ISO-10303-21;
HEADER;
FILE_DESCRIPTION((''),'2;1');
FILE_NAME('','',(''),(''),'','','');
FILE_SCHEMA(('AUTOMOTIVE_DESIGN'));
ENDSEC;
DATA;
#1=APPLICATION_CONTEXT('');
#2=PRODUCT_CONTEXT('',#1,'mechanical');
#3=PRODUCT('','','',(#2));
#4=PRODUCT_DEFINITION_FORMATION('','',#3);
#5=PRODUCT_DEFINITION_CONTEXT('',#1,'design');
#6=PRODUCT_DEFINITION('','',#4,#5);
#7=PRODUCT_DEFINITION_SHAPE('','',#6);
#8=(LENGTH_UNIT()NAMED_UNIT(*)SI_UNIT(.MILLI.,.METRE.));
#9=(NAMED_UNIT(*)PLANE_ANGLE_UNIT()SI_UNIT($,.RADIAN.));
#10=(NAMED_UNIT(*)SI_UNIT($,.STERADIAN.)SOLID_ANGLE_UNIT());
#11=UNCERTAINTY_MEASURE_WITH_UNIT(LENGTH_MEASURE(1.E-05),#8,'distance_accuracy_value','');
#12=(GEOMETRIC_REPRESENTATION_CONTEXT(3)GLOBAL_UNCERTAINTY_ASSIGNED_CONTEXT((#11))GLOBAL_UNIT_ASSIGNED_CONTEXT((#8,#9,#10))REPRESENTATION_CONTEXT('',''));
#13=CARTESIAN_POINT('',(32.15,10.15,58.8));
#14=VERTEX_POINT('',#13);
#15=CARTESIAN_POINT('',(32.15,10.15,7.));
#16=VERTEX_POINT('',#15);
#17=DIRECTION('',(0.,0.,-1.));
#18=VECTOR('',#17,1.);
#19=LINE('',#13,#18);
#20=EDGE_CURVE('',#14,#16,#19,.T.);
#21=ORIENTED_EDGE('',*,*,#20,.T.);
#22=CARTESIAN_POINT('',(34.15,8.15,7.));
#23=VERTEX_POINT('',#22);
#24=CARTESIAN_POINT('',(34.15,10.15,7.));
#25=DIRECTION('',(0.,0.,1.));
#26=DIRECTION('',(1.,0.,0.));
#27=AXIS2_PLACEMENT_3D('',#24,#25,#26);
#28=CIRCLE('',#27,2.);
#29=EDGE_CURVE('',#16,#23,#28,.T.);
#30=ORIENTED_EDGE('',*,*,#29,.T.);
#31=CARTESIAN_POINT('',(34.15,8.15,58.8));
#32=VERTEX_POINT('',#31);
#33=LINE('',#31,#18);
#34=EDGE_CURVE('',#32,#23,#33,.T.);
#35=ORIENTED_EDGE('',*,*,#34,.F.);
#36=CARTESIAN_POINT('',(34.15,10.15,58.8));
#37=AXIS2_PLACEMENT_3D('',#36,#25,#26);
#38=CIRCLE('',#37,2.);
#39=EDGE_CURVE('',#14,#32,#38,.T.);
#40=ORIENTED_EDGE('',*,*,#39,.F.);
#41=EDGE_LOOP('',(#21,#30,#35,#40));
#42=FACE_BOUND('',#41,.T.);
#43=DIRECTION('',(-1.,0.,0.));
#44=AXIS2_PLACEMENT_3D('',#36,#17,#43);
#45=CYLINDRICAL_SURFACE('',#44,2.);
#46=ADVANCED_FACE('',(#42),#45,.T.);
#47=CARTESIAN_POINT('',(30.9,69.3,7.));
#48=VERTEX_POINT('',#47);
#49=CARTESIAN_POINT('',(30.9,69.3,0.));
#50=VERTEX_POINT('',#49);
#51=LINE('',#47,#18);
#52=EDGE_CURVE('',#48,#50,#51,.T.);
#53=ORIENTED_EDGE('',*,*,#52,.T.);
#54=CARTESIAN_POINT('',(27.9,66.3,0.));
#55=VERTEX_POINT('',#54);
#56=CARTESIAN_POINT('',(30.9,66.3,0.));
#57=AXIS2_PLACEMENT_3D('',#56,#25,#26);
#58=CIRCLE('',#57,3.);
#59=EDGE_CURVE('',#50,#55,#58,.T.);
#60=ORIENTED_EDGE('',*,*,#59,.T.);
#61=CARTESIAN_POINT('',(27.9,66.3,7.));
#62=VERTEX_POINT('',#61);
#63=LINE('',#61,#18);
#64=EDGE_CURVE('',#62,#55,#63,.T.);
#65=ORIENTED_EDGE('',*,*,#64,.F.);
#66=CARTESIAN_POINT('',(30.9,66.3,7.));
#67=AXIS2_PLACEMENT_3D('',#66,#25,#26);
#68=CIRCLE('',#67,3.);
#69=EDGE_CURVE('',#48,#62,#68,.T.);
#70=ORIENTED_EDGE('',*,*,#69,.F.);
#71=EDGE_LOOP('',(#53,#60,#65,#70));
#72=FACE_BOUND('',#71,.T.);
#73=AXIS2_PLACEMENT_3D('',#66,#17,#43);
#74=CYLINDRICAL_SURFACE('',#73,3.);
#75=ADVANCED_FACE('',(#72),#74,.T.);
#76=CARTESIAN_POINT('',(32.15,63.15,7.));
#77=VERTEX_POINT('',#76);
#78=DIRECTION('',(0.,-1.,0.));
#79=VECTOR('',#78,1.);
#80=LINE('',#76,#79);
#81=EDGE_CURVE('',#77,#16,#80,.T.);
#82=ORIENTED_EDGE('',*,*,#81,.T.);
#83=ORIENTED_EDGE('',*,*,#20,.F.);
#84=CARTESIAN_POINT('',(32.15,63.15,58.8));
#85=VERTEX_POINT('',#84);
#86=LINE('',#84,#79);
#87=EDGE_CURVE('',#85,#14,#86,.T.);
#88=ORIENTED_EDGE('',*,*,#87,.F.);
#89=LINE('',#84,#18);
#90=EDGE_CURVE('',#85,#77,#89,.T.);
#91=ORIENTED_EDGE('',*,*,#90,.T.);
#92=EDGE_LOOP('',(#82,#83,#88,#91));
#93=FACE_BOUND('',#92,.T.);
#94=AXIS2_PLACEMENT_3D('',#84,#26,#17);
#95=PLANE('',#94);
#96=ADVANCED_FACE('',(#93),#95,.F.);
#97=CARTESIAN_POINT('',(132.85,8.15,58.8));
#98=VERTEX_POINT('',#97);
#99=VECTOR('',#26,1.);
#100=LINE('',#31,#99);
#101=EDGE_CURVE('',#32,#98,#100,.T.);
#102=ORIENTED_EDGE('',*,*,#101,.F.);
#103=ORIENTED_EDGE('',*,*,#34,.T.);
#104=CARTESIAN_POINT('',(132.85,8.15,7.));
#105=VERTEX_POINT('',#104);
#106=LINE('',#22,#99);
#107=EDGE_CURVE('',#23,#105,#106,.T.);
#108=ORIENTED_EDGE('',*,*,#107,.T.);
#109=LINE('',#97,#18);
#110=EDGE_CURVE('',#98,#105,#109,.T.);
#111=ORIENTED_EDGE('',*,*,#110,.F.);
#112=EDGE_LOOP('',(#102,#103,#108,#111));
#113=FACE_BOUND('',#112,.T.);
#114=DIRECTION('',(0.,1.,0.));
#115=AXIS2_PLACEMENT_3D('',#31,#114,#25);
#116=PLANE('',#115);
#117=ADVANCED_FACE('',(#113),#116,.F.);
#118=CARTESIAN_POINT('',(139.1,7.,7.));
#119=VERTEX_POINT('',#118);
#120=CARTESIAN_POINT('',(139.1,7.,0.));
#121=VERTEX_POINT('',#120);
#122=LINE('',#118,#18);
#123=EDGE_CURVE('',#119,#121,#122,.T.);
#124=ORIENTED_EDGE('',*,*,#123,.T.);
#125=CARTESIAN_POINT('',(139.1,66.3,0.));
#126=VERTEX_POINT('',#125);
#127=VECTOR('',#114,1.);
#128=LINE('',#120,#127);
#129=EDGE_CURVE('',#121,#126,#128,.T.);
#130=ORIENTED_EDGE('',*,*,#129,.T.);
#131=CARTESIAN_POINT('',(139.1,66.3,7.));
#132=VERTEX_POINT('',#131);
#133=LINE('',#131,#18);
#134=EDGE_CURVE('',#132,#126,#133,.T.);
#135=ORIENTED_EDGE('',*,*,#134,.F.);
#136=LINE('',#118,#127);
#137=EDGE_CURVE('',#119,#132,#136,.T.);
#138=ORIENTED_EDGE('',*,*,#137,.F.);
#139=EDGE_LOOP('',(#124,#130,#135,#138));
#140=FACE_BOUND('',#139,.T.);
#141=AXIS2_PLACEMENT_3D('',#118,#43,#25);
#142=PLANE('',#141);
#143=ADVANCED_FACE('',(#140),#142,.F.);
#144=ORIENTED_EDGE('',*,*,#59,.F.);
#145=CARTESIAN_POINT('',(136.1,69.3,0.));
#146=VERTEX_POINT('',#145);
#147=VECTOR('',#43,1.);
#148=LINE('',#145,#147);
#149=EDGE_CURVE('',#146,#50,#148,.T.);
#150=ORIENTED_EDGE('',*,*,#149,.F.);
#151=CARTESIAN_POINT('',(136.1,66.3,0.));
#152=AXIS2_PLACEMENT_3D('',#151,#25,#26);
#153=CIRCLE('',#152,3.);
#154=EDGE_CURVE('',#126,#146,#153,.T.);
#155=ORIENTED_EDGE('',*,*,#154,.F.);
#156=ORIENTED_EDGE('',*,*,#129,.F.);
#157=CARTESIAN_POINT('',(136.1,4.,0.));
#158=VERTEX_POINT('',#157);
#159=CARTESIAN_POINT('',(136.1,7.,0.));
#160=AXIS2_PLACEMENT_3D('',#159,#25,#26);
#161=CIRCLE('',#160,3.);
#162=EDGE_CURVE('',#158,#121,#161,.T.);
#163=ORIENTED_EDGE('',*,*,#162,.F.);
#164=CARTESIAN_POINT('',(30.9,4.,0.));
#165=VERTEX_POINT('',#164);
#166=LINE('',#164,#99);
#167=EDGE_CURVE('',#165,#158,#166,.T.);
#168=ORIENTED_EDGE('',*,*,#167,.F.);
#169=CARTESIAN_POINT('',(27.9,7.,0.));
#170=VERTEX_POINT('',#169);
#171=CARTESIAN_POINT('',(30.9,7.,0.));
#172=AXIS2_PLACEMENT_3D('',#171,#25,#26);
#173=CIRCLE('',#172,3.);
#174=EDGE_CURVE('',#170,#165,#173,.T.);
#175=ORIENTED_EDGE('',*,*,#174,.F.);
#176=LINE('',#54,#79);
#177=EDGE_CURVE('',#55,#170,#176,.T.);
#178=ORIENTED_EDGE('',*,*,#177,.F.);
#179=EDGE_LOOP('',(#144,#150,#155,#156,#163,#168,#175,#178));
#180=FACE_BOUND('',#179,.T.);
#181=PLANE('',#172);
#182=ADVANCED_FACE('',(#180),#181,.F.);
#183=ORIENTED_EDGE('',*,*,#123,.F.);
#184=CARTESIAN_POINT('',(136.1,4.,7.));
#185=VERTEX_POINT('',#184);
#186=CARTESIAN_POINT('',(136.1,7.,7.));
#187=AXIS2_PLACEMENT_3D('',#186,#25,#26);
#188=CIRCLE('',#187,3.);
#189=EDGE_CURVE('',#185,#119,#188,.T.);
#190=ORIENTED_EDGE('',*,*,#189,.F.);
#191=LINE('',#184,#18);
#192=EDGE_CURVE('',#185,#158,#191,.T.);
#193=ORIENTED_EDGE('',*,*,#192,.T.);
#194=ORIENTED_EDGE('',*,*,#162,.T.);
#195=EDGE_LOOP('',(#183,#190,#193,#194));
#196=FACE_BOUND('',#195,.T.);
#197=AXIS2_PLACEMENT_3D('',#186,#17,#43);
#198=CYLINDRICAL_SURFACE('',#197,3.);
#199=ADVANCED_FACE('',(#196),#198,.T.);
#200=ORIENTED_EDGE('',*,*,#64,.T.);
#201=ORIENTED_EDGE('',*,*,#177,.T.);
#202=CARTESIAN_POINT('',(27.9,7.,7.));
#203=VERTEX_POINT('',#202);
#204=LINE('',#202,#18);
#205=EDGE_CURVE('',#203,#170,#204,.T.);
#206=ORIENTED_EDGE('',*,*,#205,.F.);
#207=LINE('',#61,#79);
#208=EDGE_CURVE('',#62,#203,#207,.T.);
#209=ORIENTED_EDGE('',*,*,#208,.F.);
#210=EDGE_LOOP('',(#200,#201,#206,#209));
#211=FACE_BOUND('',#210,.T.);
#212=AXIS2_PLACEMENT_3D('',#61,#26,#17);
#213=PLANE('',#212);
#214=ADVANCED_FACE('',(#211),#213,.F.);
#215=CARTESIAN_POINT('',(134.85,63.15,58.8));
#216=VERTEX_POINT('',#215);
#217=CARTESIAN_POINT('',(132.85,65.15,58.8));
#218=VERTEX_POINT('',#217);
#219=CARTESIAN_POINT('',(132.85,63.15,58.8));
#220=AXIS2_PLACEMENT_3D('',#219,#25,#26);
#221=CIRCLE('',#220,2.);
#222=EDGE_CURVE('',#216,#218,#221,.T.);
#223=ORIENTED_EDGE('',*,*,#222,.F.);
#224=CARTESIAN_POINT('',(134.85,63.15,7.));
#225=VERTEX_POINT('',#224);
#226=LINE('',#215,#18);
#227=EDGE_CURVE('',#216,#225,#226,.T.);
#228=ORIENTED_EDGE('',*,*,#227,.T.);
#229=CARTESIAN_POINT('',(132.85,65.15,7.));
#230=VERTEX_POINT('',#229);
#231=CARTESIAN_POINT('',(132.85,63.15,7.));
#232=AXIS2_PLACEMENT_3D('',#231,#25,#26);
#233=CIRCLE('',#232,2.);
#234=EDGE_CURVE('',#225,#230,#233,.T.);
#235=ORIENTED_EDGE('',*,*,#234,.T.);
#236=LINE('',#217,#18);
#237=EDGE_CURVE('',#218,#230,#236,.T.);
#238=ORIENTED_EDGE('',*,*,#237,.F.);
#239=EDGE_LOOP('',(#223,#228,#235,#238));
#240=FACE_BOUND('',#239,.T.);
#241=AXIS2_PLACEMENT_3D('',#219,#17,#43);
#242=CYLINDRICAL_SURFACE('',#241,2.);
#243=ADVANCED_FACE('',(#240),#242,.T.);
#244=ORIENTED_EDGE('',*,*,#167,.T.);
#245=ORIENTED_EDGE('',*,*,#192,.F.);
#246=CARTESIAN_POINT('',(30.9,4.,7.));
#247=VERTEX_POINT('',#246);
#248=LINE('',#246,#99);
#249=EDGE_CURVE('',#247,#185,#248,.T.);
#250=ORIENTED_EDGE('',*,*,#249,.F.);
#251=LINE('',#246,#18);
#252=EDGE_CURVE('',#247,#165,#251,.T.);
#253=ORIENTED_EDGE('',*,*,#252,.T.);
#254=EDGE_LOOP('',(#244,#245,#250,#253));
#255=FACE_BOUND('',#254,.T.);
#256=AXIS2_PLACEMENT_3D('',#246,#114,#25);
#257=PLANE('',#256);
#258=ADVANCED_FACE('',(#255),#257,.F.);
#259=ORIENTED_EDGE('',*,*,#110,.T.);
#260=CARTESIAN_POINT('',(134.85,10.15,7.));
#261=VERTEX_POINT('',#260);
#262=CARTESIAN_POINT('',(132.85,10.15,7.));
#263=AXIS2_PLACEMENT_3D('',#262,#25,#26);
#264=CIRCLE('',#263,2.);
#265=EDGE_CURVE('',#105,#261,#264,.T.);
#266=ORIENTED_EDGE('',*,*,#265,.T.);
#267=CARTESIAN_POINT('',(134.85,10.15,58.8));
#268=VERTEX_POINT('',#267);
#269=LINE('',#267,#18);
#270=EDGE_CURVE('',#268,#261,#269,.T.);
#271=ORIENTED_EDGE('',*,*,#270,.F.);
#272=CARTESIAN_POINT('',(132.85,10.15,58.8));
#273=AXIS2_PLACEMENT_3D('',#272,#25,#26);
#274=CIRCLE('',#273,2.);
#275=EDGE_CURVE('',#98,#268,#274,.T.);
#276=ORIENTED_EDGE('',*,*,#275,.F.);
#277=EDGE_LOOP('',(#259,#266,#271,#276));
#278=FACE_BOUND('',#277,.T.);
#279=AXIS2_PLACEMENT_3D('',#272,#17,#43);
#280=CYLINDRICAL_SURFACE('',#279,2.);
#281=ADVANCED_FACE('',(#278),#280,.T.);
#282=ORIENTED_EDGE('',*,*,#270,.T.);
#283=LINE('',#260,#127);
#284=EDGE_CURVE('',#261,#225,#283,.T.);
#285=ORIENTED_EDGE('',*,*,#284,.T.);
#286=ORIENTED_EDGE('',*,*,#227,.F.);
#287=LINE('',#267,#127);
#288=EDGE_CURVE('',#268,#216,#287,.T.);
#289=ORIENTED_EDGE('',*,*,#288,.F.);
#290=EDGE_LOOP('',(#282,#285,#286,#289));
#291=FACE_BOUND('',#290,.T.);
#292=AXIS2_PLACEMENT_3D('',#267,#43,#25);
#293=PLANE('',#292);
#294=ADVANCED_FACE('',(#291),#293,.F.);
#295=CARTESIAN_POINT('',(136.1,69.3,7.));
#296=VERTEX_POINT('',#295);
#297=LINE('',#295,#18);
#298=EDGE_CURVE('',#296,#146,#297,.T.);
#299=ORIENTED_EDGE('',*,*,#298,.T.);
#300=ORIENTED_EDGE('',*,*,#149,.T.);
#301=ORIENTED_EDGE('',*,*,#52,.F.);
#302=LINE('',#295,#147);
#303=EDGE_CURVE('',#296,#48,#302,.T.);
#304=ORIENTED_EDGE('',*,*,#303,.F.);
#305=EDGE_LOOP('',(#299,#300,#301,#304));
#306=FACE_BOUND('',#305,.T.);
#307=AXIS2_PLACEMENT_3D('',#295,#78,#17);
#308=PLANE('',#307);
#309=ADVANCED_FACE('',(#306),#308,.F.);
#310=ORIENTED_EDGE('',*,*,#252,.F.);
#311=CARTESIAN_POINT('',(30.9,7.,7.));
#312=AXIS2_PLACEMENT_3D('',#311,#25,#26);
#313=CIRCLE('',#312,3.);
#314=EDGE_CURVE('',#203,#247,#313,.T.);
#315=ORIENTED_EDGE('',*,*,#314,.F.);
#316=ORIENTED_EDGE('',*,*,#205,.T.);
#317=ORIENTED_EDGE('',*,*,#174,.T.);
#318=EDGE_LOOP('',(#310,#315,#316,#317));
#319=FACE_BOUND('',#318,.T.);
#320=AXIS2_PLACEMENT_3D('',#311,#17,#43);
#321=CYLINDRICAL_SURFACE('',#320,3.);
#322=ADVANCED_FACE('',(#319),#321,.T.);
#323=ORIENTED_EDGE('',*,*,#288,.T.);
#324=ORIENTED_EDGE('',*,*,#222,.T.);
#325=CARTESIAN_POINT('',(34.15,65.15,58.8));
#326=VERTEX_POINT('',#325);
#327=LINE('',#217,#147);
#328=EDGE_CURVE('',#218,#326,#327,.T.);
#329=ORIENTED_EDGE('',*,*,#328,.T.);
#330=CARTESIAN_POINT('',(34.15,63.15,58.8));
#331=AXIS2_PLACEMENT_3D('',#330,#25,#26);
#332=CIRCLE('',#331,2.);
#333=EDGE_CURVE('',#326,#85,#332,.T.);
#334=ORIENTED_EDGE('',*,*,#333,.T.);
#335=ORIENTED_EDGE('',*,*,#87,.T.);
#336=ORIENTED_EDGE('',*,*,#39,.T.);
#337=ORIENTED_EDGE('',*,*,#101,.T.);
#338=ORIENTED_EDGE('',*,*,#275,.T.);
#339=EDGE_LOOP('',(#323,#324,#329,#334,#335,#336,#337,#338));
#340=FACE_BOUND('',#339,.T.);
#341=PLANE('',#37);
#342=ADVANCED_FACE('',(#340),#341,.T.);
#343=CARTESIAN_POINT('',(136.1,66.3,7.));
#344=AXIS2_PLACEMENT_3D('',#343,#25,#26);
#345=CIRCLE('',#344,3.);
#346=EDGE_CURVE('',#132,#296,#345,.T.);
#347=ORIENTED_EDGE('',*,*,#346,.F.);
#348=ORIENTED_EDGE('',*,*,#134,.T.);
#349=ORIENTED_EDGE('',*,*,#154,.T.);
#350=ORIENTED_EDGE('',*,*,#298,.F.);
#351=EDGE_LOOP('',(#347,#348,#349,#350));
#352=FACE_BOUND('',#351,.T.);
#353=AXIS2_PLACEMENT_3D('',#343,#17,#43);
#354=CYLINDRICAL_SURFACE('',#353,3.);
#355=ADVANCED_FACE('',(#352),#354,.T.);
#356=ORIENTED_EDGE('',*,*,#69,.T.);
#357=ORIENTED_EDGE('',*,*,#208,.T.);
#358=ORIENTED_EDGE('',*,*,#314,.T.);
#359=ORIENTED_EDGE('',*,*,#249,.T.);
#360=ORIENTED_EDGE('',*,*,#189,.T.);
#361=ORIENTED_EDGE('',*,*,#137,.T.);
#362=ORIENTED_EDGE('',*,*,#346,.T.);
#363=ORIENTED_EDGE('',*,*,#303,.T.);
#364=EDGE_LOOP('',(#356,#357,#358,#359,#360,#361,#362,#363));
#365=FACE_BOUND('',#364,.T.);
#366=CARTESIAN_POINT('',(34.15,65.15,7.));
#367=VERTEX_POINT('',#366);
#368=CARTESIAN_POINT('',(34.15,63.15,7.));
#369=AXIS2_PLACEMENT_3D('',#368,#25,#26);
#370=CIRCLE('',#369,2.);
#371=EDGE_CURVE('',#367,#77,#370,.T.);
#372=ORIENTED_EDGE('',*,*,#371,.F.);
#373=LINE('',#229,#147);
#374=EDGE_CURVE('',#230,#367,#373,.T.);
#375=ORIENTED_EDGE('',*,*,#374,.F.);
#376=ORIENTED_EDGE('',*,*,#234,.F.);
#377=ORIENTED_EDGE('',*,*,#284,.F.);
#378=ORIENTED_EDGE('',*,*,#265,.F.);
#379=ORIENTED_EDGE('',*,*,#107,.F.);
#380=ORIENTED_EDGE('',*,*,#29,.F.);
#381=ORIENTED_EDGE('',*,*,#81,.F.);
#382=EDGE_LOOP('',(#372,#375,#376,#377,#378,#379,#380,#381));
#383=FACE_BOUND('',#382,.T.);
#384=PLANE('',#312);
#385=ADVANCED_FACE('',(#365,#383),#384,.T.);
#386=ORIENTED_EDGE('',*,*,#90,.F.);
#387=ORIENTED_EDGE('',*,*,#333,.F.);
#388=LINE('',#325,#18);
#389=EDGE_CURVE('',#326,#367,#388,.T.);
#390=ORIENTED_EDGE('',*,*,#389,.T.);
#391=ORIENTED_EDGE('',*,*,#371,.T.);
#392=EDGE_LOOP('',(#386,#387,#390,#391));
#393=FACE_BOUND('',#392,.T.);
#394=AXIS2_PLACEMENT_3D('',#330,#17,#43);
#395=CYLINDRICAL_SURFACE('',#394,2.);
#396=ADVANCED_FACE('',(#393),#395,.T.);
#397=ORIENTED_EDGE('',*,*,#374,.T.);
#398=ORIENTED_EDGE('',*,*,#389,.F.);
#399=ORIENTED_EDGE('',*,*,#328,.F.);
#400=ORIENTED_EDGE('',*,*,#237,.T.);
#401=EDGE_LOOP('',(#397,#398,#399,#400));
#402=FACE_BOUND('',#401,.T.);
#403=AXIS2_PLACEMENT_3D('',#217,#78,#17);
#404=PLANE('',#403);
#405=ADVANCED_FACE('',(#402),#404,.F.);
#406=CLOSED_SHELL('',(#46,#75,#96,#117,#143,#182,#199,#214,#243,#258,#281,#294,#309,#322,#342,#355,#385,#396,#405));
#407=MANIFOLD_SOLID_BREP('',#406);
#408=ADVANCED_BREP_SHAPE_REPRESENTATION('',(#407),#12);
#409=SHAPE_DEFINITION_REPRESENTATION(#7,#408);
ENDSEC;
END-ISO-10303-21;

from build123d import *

# Parameters (mm, degrees)
V09_H_BODY102P7X57_FROM_NEW_MANUAL_START = 7
V09_H_BODY102P7X57_FROM_NEW_MANUAL_DEPTH = 51.8
V09_H_FLANGE111P2X65P3_DEPTH7_DEPTH      = 7


with BuildPart() as part:
    # 草图5 → V09_H_body102p7x57_from_new_manual (new body)
    with BuildSketch(Plane.XY.offset(V09_H_BODY102P7X57_FROM_NEW_MANUAL_START)):
        with BuildLine():
            Line((34.15, 8.15), (132.85, 8.15))
            ThreePointArc((132.85, 8.15), (134.264213562, 8.735786438), (134.85, 10.15))
            Line((134.85, 10.15), (134.85, 63.15))
            ThreePointArc((134.85, 63.15), (134.264213562, 64.564213562), (132.85, 65.15))
            Line((132.85, 65.15), (34.15, 65.15))
            ThreePointArc((34.15, 65.15), (32.735786438, 64.564213562), (32.15, 63.15))
            Line((32.15, 63.15), (32.15, 10.15))
            ThreePointArc((32.15, 10.15), (32.735786438, 8.735786438), (34.15, 8.15))
        make_face()
    extrude(amount=V09_H_BODY102P7X57_FROM_NEW_MANUAL_DEPTH)

    # 草图6 → V09_H_flange111p2x65p3_depth7 (add)
    with BuildSketch(Plane.XY):
        with BuildLine():
            Line((30.9, 4), (136.1, 4))
            ThreePointArc((136.1, 4), (138.221320344, 4.878679656), (139.1, 7))
            Line((139.1, 7), (139.1, 66.3))
            ThreePointArc((139.1, 66.3), (138.221320344, 68.421320344), (136.1, 69.3))
            Line((136.1, 69.3), (30.9, 69.3))
            ThreePointArc((30.9, 69.3), (28.778679656, 68.421320344), (27.9, 66.3))
            Line((27.9, 66.3), (27.9, 7))
            ThreePointArc((27.9, 7), (28.778679656, 4.878679656), (30.9, 4))
        make_face()
    extrude(amount=V09_H_FLANGE111P2X65P3_DEPTH7_DEPTH)


solid = part.part
